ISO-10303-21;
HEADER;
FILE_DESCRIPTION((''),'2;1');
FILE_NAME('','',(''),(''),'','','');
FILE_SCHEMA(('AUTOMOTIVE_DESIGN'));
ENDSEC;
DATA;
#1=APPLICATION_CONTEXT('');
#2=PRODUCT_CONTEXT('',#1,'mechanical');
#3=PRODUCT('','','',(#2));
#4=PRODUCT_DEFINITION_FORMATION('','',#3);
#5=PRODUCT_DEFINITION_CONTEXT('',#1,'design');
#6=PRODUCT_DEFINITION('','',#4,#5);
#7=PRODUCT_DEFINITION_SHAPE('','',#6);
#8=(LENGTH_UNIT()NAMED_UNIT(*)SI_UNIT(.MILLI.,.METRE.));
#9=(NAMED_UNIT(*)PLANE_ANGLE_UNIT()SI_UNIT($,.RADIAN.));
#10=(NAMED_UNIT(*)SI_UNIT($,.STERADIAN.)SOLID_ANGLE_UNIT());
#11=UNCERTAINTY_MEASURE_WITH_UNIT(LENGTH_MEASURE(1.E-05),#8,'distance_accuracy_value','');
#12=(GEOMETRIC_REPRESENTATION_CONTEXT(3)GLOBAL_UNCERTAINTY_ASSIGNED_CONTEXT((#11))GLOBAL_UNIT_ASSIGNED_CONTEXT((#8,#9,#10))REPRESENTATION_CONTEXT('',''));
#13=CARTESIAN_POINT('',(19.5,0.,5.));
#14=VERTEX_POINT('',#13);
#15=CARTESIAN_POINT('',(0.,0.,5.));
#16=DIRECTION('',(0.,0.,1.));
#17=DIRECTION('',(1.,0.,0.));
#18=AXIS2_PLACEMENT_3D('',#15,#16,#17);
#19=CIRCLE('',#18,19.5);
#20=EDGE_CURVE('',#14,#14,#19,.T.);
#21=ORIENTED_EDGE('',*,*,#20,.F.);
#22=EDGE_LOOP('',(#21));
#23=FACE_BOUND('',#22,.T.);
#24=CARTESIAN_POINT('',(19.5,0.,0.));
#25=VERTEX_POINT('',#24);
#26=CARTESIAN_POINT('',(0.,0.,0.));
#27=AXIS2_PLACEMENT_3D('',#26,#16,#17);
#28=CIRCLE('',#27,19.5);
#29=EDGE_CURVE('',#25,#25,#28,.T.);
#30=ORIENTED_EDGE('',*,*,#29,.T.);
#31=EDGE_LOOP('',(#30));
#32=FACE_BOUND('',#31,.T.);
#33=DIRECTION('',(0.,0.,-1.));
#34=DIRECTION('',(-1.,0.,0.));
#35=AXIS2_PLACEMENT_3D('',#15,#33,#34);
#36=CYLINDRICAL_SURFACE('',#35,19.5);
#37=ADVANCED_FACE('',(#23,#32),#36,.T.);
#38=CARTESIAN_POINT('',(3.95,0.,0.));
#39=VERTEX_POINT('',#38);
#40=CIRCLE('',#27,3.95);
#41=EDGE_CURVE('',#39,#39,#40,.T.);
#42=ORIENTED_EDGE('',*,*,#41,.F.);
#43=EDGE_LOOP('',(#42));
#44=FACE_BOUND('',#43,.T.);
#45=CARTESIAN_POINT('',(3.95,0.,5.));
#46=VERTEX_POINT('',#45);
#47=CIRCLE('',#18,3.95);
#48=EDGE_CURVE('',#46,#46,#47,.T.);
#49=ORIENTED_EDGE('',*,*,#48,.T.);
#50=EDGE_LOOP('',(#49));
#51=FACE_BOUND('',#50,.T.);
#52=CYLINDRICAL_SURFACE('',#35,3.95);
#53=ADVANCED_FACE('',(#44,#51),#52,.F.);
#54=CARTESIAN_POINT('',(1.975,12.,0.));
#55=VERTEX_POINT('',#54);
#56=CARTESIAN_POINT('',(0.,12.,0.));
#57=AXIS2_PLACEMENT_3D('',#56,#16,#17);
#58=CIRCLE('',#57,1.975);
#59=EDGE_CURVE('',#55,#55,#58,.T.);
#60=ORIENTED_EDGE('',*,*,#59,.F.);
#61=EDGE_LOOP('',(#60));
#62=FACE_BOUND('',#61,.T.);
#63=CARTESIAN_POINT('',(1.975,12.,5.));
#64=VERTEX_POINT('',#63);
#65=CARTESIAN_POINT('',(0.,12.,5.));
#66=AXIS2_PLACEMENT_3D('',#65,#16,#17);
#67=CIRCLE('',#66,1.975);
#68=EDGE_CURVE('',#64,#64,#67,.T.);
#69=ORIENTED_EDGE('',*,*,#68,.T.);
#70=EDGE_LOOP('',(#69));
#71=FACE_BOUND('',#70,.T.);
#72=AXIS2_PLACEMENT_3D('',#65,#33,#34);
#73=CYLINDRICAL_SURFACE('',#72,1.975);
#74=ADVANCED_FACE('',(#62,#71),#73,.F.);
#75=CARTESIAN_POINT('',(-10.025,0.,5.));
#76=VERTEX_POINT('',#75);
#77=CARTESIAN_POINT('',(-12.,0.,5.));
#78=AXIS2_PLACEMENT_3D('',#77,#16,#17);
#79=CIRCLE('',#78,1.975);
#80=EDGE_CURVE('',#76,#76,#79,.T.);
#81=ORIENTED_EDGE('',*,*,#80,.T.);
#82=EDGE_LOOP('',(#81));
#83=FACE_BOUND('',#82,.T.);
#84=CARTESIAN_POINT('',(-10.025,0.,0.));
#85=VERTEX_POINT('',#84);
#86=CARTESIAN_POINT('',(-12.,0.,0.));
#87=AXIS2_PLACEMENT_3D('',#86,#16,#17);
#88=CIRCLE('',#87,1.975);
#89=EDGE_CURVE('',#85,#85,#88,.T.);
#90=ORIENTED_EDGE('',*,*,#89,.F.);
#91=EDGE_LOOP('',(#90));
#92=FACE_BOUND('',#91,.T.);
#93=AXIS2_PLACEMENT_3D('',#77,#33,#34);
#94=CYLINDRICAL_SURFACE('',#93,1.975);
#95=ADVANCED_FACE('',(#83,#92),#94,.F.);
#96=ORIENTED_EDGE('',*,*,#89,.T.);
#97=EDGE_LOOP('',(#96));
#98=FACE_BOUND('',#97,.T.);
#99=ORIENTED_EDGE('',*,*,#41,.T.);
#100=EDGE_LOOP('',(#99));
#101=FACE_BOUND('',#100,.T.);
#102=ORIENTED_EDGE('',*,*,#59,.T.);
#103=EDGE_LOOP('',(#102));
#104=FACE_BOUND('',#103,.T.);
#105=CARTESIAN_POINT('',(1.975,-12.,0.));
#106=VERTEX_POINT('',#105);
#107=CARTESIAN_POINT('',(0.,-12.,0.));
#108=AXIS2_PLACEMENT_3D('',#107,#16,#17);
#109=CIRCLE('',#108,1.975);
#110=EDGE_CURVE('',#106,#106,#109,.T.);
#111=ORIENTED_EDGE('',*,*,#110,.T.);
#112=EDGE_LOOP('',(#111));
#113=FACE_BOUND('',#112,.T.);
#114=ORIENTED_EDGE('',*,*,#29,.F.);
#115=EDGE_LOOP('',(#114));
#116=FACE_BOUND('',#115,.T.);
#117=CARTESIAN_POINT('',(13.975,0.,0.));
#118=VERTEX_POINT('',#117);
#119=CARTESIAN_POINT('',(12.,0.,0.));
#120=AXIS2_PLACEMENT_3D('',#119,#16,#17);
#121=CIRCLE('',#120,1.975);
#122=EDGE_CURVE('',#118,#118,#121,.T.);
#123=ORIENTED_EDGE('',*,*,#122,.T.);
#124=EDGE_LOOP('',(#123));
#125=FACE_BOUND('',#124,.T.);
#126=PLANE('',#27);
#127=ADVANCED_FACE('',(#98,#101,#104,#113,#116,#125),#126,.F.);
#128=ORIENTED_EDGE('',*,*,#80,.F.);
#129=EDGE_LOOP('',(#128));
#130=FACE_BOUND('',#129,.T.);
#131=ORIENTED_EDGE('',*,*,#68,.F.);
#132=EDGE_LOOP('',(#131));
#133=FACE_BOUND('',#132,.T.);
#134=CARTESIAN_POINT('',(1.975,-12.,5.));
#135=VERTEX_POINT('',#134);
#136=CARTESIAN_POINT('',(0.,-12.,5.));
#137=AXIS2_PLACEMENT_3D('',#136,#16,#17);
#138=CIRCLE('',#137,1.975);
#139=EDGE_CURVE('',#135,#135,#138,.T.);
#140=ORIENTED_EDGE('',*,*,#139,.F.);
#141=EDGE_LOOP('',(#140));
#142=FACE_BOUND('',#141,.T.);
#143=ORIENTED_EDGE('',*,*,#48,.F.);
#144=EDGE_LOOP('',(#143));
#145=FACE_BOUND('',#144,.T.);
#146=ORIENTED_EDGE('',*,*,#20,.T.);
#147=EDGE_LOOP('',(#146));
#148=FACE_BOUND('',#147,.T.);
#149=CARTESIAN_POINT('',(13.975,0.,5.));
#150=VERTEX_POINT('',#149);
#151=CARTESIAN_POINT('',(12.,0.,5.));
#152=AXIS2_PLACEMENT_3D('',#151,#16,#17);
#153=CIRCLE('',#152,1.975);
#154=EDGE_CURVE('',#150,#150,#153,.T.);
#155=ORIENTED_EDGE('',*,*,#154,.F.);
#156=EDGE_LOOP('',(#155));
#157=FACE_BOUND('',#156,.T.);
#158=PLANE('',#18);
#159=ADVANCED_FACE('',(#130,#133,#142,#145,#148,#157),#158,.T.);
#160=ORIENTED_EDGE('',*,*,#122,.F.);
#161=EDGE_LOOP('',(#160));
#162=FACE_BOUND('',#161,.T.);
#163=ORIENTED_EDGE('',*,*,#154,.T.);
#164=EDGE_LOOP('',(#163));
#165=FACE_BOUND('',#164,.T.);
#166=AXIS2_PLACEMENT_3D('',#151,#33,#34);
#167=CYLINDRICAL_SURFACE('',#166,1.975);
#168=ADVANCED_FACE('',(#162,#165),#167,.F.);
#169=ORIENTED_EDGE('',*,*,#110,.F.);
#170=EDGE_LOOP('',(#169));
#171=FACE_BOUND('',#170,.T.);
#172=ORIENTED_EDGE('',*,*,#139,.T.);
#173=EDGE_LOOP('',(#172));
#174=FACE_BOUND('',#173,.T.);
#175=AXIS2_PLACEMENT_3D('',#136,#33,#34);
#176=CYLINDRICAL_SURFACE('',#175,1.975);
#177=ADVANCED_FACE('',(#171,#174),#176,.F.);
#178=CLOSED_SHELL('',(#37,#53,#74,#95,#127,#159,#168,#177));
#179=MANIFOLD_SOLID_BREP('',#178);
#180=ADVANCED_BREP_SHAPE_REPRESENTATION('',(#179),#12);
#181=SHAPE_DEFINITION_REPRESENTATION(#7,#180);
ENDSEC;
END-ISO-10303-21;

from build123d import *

# Parameters (mm, degrees)
SKETCH1_R           = 19.5
SKETCH1_R_2         = 3.95
SKETCH1_R_3         = 1.975
BOSS_EXTRUDE1_DEPTH = 5


with BuildPart() as part:
    # Sketch1 → Boss-Extrude1 (new body)
    with BuildSketch(Plane.XY):
        Circle(SKETCH1_R)
        Circle(SKETCH1_R_2, mode=Mode.SUBTRACT)
        with Locations((0, 12)):
            Circle(SKETCH1_R_3, mode=Mode.SUBTRACT)
        with Locations((12, 0)):
            Circle(SKETCH1_R_3, mode=Mode.SUBTRACT)
        with Locations((0, -12)):
            Circle(SKETCH1_R_3, mode=Mode.SUBTRACT)
        with Locations((-12, 0)):
            Circle(SKETCH1_R_3, mode=Mode.SUBTRACT)
    extrude(amount=BOSS_EXTRUDE1_DEPTH)


solid = part.part
